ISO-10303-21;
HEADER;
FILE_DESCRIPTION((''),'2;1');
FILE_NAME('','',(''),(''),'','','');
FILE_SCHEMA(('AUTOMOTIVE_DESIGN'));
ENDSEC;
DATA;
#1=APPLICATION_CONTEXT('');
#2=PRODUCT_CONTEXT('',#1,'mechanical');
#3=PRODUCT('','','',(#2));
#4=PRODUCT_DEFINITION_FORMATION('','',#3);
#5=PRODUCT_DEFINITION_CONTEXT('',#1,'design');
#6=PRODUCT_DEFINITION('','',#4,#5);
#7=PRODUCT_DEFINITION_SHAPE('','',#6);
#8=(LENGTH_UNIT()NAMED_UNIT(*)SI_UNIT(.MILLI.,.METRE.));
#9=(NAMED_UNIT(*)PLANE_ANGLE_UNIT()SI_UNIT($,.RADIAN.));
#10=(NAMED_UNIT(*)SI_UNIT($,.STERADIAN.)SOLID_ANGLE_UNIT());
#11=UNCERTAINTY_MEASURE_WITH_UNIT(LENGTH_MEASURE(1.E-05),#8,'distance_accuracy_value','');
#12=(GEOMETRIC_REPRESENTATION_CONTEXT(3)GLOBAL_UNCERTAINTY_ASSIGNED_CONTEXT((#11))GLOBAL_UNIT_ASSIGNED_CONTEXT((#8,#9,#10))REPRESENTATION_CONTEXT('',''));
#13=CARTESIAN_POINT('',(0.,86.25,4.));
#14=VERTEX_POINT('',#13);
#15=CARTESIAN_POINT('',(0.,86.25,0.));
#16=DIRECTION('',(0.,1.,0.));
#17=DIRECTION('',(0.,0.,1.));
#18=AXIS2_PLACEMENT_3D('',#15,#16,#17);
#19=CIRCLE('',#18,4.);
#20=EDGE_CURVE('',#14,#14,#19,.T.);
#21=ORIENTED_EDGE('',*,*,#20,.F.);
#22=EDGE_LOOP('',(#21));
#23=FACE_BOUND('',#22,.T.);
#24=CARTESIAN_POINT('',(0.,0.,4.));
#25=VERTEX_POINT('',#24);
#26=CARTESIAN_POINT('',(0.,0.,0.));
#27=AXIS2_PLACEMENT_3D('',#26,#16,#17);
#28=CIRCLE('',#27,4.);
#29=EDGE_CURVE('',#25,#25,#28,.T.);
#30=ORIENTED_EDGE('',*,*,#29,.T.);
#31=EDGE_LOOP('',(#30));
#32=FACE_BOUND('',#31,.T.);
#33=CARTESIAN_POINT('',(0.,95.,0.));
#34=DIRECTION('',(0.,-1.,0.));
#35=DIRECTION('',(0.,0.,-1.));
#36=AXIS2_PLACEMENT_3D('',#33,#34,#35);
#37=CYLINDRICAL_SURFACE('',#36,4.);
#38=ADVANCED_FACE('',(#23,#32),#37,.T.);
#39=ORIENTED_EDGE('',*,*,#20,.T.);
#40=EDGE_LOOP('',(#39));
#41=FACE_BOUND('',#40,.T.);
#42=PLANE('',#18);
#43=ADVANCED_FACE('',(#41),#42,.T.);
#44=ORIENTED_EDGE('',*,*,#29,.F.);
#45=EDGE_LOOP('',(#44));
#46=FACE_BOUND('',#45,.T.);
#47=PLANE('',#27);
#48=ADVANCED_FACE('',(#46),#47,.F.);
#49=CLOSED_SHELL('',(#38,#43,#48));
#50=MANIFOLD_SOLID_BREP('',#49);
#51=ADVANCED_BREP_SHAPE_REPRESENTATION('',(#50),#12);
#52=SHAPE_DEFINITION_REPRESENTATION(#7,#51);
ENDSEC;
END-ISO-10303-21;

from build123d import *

# Parameters (mm, degrees)
SKETCH1_R           = 4
BOSS_EXTRUDE1_DEPTH = 95
SKETCH2_R           = 4
CUT_EXTRUDE1_DEPTH  = 8.75


with BuildPart() as part:
    # Sketch1 → Boss-Extrude1 (new body)
    with BuildSketch(Plane(origin=(0, 0, 0), x_dir=(1, 0, 0), z_dir=(0, 1, 0))):
        Circle(SKETCH1_R)
    extrude(amount=BOSS_EXTRUDE1_DEPTH)

    # Sketch2 → Cut-Extrude1 (cut)
    with BuildSketch(Plane(origin=(0, 95, 0), x_dir=(1, 0, 0), z_dir=(0, 1, 0))):
        Circle(SKETCH2_R)
    extrude(amount=-CUT_EXTRUDE1_DEPTH, mode=Mode.SUBTRACT)


solid = part.part
